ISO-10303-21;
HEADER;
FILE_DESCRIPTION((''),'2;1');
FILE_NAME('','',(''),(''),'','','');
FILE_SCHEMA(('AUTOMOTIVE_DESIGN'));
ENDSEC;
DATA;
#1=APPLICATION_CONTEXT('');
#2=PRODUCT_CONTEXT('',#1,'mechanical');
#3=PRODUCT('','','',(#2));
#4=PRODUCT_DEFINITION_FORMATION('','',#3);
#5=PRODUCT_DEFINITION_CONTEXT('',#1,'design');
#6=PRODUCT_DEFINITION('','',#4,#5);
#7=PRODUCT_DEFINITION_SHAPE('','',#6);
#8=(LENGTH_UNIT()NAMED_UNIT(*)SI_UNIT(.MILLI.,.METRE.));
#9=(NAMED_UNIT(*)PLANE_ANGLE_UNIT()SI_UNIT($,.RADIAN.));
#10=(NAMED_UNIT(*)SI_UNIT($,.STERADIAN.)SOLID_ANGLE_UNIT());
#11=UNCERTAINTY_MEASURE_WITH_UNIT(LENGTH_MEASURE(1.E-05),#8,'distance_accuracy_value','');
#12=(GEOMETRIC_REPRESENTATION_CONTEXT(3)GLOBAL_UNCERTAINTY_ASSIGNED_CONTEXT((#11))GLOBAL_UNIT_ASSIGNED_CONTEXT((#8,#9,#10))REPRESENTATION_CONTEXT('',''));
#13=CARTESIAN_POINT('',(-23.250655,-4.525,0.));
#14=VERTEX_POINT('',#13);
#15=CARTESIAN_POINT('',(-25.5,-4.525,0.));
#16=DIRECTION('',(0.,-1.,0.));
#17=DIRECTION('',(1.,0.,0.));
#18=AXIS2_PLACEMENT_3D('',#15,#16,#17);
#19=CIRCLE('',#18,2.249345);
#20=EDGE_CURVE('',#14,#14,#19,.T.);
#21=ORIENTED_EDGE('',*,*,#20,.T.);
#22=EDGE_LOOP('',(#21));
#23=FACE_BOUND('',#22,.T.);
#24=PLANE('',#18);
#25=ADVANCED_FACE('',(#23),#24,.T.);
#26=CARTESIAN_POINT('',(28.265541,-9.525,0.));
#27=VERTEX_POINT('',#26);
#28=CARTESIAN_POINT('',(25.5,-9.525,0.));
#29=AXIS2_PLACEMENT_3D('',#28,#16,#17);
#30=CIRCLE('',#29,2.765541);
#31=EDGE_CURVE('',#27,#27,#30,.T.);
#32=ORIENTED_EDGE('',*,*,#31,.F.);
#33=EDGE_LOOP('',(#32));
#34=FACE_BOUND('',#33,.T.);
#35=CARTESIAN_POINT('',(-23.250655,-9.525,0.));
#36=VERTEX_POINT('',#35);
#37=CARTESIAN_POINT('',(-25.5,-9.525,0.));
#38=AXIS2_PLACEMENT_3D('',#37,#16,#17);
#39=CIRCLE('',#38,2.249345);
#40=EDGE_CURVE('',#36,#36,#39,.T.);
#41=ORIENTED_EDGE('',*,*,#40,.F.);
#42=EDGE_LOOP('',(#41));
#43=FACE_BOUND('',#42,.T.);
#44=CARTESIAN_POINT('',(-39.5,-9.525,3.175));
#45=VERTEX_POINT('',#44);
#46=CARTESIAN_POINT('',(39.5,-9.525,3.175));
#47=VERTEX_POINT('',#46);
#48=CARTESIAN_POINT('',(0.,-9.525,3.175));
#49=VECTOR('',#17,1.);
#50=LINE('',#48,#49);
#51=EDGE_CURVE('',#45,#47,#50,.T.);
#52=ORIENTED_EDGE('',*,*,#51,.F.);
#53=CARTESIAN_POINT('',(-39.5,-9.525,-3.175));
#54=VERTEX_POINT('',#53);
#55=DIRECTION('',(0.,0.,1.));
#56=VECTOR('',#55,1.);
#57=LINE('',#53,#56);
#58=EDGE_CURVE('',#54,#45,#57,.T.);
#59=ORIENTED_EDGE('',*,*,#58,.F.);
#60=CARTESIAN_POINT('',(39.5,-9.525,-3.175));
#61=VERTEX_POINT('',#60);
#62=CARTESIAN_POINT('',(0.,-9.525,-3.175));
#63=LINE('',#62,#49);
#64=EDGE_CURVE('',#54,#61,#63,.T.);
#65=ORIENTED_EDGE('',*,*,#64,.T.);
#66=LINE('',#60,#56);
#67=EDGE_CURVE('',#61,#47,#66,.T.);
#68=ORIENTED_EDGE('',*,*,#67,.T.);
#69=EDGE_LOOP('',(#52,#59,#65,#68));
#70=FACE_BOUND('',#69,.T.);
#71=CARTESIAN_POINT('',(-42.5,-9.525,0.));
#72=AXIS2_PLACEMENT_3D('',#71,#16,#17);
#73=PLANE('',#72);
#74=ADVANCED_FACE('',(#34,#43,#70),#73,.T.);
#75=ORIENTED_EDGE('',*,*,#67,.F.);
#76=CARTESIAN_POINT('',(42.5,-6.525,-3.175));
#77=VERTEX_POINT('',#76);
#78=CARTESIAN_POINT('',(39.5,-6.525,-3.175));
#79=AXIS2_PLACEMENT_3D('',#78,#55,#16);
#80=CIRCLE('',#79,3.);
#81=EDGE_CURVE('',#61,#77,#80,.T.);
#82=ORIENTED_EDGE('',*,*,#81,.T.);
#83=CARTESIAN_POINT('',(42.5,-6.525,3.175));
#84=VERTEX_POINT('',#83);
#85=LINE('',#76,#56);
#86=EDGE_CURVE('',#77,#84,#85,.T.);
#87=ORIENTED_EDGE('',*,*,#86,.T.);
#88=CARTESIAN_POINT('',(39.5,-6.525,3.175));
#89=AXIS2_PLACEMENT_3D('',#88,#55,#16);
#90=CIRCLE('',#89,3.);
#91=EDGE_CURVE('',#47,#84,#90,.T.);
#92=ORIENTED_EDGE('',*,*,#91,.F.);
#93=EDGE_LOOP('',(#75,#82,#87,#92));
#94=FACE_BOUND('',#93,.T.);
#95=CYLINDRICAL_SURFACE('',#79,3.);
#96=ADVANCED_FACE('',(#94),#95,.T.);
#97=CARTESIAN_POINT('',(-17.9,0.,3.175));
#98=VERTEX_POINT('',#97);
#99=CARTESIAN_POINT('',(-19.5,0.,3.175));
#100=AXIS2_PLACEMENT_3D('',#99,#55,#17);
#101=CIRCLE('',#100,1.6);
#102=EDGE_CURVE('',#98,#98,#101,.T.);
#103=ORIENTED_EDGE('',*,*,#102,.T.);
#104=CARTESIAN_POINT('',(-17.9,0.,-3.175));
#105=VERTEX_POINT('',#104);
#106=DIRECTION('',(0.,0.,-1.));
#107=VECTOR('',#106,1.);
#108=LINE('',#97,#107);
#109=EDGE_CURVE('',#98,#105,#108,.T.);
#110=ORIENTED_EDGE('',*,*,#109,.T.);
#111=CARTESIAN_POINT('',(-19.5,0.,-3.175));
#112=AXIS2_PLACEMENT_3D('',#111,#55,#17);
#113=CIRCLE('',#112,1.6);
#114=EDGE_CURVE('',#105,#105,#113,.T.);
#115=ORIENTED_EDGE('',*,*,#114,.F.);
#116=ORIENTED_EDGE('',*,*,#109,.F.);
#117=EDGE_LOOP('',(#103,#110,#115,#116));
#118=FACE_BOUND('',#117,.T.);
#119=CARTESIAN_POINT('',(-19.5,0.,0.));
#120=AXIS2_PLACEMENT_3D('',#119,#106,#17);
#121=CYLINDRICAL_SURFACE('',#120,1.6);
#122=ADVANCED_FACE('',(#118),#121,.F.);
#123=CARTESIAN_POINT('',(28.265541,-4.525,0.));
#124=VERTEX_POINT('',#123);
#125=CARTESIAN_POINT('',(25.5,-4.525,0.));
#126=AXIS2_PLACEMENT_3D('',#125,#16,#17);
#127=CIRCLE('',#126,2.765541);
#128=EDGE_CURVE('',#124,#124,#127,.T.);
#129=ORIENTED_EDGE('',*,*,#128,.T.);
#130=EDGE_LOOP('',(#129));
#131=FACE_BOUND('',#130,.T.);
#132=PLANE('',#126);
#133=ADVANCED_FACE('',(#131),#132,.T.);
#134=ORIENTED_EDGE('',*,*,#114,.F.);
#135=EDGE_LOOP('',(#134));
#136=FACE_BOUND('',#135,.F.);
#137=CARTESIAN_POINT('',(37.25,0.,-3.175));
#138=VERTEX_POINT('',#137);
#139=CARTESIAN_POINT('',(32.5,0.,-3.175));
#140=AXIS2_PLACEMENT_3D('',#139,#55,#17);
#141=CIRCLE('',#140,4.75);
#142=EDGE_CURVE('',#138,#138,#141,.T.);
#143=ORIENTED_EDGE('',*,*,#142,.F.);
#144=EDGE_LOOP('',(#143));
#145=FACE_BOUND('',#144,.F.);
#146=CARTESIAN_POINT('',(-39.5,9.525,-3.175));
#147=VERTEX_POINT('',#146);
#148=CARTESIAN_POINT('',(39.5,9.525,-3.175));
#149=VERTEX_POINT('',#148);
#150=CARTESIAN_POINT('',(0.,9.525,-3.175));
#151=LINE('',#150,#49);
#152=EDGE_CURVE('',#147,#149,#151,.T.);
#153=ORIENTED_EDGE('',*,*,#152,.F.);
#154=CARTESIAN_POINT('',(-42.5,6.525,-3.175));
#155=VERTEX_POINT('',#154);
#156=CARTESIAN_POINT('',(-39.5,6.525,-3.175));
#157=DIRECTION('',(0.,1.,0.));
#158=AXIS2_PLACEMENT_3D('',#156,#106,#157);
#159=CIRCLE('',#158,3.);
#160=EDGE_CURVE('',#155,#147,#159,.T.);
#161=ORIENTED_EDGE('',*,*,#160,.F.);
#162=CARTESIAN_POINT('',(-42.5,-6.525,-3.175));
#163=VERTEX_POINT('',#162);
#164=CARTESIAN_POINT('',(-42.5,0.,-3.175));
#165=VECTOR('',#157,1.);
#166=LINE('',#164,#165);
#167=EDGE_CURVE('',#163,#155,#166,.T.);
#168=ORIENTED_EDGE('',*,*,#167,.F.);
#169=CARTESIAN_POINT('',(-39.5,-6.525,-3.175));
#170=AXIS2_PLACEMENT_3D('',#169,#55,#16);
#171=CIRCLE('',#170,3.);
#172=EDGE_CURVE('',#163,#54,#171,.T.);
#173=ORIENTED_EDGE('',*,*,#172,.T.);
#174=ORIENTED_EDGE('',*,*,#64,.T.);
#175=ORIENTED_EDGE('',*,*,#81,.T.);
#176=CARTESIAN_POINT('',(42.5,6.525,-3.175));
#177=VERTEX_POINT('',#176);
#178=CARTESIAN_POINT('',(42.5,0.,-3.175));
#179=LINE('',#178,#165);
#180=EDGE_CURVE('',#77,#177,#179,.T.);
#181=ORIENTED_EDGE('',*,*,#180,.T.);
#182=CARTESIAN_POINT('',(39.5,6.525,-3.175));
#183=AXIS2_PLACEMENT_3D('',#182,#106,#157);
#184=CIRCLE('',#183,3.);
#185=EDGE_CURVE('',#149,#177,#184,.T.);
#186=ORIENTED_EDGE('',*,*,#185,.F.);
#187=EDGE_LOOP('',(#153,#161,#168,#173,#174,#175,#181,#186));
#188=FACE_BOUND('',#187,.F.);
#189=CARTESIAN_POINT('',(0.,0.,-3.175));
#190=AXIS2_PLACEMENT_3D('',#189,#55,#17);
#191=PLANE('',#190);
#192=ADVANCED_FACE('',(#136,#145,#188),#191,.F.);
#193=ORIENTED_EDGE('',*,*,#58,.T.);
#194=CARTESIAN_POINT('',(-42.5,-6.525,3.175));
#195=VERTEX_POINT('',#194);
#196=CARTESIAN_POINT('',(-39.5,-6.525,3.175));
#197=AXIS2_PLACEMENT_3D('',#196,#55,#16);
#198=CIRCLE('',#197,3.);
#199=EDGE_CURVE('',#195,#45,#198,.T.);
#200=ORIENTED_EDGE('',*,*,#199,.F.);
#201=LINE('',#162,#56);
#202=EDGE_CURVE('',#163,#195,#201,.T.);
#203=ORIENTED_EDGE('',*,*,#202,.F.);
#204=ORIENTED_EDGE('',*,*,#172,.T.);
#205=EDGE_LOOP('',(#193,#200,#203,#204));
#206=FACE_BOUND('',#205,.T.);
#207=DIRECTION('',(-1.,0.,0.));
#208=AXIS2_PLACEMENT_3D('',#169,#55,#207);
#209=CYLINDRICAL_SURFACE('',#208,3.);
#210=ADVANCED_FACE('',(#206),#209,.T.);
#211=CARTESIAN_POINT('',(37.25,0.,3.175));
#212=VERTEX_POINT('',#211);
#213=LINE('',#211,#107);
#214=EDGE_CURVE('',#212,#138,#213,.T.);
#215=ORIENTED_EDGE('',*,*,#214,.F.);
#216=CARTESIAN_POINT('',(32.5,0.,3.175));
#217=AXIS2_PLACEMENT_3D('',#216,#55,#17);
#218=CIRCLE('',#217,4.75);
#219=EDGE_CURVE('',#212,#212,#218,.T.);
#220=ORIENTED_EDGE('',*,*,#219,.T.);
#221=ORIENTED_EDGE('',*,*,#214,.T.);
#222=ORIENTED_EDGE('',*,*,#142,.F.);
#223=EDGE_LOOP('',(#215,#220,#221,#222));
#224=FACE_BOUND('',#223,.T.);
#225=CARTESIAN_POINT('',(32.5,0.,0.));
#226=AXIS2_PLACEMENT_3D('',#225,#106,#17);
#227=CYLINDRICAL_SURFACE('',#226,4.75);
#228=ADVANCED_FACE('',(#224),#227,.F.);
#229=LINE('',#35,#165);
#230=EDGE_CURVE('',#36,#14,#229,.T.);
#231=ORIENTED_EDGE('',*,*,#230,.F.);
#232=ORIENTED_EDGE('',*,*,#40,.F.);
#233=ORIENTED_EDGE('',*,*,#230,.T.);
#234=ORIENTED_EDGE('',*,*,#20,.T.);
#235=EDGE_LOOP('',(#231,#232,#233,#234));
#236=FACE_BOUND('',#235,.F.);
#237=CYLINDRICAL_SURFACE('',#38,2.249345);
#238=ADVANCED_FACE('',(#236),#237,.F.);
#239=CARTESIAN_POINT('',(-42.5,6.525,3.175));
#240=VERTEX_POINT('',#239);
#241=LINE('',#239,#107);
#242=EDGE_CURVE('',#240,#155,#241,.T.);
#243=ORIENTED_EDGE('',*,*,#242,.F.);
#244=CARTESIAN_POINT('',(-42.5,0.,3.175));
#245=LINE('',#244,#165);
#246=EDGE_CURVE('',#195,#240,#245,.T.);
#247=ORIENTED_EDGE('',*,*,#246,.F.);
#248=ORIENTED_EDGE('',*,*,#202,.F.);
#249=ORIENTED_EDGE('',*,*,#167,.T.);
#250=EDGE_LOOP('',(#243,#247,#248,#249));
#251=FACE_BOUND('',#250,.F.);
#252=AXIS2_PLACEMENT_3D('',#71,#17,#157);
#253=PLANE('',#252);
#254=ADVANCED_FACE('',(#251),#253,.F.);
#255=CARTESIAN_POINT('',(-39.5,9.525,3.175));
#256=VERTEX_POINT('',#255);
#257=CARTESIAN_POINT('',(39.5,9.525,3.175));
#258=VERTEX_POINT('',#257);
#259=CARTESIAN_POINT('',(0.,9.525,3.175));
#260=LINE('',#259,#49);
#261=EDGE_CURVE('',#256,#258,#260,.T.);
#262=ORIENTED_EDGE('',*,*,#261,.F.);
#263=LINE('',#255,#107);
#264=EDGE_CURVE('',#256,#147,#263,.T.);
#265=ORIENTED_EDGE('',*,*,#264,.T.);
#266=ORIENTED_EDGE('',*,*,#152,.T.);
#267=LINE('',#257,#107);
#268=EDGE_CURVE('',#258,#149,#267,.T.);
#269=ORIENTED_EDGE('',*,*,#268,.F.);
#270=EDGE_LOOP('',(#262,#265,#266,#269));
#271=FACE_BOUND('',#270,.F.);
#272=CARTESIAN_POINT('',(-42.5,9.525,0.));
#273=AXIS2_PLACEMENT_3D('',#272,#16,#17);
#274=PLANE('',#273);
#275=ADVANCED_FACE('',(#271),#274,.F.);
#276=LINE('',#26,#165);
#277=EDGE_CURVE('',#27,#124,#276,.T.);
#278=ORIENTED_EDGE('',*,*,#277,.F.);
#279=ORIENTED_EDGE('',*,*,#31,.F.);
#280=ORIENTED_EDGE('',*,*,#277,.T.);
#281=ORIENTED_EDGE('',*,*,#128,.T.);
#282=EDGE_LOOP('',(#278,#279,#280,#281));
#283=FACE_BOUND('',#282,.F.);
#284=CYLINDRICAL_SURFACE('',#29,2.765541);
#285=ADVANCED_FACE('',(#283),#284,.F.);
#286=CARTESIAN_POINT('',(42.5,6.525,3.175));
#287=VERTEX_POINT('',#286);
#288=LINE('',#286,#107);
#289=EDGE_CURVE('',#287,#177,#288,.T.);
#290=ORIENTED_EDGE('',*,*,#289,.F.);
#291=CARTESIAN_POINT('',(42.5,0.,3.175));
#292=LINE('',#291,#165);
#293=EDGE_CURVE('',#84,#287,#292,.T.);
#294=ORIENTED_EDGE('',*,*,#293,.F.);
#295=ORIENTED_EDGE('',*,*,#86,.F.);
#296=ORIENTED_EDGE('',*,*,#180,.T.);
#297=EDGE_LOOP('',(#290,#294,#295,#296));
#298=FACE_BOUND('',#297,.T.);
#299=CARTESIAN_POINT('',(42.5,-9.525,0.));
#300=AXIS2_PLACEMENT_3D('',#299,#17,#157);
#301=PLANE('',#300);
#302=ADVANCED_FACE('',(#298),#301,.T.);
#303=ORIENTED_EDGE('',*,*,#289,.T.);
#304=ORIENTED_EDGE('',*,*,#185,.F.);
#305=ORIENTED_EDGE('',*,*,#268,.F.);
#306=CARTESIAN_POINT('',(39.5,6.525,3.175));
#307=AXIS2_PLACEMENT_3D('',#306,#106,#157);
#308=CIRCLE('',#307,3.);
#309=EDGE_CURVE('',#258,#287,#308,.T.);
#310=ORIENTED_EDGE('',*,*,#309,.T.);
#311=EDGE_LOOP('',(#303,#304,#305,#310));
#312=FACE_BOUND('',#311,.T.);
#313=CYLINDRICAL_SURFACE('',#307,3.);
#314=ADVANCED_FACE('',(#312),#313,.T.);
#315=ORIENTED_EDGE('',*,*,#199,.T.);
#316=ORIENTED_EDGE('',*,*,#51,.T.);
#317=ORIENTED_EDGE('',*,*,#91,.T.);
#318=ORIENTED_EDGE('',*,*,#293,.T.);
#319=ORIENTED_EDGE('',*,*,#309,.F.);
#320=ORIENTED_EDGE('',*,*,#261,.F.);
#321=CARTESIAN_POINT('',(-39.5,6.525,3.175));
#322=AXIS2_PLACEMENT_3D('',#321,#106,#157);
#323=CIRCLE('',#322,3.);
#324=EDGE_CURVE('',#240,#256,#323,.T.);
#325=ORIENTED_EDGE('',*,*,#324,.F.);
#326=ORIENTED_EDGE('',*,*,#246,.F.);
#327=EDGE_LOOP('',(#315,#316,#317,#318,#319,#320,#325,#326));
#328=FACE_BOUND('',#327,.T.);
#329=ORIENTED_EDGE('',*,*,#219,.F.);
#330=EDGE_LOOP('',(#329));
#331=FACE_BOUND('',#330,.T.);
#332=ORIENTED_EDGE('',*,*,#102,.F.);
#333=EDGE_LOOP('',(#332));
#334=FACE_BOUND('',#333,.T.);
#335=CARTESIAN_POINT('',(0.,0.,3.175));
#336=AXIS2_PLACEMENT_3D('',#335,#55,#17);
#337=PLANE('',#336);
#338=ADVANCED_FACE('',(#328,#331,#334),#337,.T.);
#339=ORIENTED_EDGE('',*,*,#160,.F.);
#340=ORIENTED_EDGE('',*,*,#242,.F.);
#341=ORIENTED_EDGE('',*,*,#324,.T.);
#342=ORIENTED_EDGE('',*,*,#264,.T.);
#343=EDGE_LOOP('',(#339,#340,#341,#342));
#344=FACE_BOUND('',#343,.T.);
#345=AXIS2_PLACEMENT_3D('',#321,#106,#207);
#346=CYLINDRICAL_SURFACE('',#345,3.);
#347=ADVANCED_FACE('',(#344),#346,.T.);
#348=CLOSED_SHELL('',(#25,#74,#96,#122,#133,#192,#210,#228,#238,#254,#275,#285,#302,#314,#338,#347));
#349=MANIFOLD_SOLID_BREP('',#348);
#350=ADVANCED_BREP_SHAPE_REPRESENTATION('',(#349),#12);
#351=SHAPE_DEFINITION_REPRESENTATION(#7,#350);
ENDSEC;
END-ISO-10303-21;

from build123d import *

# Parameters (mm, degrees)
F0_W     = 85
F0_H     = 19.05
F0_R     = 1.6
F0_R_2   = 4.75
F1_DEPTH = 3.175
F2_R     = 2.249345
F2_R_2   = 2.765541
F3_DEPTH = 5
F4_R     = 3


with BuildPart() as f1:
    # F0 (on Top) → F1 (new body, symmetric)
    with BuildSketch(Plane.XY):
        Rectangle(F0_W, F0_H)
        with Locations((-19.5, 0)):
            Circle(F0_R, mode=Mode.SUBTRACT)
        with Locations((32.5, 0)):
            Circle(F0_R_2, mode=Mode.SUBTRACT)
    extrude(amount=F1_DEPTH, both=True)

    # F2 (on face) → F3 (cut)
    with BuildSketch(Plane.XZ.offset(9.525)):
        with Locations((-25.5, 0)):
            Circle(F2_R)
        with Locations((25.5, 0)):
            Circle(F2_R_2)
    extrude(amount=-F3_DEPTH, mode=Mode.SUBTRACT)

    # F4
    f4_edges = [f1.edges().sort_by_distance(p)[0] for p in [
        (42.5, -9.525, 0),
        (42.5, 9.525, 0),
        (-42.5, -9.525, 0),
        (-42.5, 9.525, 0),
    ]]
    fillet(f4_edges, radius=F4_R)


solid = f1.part
